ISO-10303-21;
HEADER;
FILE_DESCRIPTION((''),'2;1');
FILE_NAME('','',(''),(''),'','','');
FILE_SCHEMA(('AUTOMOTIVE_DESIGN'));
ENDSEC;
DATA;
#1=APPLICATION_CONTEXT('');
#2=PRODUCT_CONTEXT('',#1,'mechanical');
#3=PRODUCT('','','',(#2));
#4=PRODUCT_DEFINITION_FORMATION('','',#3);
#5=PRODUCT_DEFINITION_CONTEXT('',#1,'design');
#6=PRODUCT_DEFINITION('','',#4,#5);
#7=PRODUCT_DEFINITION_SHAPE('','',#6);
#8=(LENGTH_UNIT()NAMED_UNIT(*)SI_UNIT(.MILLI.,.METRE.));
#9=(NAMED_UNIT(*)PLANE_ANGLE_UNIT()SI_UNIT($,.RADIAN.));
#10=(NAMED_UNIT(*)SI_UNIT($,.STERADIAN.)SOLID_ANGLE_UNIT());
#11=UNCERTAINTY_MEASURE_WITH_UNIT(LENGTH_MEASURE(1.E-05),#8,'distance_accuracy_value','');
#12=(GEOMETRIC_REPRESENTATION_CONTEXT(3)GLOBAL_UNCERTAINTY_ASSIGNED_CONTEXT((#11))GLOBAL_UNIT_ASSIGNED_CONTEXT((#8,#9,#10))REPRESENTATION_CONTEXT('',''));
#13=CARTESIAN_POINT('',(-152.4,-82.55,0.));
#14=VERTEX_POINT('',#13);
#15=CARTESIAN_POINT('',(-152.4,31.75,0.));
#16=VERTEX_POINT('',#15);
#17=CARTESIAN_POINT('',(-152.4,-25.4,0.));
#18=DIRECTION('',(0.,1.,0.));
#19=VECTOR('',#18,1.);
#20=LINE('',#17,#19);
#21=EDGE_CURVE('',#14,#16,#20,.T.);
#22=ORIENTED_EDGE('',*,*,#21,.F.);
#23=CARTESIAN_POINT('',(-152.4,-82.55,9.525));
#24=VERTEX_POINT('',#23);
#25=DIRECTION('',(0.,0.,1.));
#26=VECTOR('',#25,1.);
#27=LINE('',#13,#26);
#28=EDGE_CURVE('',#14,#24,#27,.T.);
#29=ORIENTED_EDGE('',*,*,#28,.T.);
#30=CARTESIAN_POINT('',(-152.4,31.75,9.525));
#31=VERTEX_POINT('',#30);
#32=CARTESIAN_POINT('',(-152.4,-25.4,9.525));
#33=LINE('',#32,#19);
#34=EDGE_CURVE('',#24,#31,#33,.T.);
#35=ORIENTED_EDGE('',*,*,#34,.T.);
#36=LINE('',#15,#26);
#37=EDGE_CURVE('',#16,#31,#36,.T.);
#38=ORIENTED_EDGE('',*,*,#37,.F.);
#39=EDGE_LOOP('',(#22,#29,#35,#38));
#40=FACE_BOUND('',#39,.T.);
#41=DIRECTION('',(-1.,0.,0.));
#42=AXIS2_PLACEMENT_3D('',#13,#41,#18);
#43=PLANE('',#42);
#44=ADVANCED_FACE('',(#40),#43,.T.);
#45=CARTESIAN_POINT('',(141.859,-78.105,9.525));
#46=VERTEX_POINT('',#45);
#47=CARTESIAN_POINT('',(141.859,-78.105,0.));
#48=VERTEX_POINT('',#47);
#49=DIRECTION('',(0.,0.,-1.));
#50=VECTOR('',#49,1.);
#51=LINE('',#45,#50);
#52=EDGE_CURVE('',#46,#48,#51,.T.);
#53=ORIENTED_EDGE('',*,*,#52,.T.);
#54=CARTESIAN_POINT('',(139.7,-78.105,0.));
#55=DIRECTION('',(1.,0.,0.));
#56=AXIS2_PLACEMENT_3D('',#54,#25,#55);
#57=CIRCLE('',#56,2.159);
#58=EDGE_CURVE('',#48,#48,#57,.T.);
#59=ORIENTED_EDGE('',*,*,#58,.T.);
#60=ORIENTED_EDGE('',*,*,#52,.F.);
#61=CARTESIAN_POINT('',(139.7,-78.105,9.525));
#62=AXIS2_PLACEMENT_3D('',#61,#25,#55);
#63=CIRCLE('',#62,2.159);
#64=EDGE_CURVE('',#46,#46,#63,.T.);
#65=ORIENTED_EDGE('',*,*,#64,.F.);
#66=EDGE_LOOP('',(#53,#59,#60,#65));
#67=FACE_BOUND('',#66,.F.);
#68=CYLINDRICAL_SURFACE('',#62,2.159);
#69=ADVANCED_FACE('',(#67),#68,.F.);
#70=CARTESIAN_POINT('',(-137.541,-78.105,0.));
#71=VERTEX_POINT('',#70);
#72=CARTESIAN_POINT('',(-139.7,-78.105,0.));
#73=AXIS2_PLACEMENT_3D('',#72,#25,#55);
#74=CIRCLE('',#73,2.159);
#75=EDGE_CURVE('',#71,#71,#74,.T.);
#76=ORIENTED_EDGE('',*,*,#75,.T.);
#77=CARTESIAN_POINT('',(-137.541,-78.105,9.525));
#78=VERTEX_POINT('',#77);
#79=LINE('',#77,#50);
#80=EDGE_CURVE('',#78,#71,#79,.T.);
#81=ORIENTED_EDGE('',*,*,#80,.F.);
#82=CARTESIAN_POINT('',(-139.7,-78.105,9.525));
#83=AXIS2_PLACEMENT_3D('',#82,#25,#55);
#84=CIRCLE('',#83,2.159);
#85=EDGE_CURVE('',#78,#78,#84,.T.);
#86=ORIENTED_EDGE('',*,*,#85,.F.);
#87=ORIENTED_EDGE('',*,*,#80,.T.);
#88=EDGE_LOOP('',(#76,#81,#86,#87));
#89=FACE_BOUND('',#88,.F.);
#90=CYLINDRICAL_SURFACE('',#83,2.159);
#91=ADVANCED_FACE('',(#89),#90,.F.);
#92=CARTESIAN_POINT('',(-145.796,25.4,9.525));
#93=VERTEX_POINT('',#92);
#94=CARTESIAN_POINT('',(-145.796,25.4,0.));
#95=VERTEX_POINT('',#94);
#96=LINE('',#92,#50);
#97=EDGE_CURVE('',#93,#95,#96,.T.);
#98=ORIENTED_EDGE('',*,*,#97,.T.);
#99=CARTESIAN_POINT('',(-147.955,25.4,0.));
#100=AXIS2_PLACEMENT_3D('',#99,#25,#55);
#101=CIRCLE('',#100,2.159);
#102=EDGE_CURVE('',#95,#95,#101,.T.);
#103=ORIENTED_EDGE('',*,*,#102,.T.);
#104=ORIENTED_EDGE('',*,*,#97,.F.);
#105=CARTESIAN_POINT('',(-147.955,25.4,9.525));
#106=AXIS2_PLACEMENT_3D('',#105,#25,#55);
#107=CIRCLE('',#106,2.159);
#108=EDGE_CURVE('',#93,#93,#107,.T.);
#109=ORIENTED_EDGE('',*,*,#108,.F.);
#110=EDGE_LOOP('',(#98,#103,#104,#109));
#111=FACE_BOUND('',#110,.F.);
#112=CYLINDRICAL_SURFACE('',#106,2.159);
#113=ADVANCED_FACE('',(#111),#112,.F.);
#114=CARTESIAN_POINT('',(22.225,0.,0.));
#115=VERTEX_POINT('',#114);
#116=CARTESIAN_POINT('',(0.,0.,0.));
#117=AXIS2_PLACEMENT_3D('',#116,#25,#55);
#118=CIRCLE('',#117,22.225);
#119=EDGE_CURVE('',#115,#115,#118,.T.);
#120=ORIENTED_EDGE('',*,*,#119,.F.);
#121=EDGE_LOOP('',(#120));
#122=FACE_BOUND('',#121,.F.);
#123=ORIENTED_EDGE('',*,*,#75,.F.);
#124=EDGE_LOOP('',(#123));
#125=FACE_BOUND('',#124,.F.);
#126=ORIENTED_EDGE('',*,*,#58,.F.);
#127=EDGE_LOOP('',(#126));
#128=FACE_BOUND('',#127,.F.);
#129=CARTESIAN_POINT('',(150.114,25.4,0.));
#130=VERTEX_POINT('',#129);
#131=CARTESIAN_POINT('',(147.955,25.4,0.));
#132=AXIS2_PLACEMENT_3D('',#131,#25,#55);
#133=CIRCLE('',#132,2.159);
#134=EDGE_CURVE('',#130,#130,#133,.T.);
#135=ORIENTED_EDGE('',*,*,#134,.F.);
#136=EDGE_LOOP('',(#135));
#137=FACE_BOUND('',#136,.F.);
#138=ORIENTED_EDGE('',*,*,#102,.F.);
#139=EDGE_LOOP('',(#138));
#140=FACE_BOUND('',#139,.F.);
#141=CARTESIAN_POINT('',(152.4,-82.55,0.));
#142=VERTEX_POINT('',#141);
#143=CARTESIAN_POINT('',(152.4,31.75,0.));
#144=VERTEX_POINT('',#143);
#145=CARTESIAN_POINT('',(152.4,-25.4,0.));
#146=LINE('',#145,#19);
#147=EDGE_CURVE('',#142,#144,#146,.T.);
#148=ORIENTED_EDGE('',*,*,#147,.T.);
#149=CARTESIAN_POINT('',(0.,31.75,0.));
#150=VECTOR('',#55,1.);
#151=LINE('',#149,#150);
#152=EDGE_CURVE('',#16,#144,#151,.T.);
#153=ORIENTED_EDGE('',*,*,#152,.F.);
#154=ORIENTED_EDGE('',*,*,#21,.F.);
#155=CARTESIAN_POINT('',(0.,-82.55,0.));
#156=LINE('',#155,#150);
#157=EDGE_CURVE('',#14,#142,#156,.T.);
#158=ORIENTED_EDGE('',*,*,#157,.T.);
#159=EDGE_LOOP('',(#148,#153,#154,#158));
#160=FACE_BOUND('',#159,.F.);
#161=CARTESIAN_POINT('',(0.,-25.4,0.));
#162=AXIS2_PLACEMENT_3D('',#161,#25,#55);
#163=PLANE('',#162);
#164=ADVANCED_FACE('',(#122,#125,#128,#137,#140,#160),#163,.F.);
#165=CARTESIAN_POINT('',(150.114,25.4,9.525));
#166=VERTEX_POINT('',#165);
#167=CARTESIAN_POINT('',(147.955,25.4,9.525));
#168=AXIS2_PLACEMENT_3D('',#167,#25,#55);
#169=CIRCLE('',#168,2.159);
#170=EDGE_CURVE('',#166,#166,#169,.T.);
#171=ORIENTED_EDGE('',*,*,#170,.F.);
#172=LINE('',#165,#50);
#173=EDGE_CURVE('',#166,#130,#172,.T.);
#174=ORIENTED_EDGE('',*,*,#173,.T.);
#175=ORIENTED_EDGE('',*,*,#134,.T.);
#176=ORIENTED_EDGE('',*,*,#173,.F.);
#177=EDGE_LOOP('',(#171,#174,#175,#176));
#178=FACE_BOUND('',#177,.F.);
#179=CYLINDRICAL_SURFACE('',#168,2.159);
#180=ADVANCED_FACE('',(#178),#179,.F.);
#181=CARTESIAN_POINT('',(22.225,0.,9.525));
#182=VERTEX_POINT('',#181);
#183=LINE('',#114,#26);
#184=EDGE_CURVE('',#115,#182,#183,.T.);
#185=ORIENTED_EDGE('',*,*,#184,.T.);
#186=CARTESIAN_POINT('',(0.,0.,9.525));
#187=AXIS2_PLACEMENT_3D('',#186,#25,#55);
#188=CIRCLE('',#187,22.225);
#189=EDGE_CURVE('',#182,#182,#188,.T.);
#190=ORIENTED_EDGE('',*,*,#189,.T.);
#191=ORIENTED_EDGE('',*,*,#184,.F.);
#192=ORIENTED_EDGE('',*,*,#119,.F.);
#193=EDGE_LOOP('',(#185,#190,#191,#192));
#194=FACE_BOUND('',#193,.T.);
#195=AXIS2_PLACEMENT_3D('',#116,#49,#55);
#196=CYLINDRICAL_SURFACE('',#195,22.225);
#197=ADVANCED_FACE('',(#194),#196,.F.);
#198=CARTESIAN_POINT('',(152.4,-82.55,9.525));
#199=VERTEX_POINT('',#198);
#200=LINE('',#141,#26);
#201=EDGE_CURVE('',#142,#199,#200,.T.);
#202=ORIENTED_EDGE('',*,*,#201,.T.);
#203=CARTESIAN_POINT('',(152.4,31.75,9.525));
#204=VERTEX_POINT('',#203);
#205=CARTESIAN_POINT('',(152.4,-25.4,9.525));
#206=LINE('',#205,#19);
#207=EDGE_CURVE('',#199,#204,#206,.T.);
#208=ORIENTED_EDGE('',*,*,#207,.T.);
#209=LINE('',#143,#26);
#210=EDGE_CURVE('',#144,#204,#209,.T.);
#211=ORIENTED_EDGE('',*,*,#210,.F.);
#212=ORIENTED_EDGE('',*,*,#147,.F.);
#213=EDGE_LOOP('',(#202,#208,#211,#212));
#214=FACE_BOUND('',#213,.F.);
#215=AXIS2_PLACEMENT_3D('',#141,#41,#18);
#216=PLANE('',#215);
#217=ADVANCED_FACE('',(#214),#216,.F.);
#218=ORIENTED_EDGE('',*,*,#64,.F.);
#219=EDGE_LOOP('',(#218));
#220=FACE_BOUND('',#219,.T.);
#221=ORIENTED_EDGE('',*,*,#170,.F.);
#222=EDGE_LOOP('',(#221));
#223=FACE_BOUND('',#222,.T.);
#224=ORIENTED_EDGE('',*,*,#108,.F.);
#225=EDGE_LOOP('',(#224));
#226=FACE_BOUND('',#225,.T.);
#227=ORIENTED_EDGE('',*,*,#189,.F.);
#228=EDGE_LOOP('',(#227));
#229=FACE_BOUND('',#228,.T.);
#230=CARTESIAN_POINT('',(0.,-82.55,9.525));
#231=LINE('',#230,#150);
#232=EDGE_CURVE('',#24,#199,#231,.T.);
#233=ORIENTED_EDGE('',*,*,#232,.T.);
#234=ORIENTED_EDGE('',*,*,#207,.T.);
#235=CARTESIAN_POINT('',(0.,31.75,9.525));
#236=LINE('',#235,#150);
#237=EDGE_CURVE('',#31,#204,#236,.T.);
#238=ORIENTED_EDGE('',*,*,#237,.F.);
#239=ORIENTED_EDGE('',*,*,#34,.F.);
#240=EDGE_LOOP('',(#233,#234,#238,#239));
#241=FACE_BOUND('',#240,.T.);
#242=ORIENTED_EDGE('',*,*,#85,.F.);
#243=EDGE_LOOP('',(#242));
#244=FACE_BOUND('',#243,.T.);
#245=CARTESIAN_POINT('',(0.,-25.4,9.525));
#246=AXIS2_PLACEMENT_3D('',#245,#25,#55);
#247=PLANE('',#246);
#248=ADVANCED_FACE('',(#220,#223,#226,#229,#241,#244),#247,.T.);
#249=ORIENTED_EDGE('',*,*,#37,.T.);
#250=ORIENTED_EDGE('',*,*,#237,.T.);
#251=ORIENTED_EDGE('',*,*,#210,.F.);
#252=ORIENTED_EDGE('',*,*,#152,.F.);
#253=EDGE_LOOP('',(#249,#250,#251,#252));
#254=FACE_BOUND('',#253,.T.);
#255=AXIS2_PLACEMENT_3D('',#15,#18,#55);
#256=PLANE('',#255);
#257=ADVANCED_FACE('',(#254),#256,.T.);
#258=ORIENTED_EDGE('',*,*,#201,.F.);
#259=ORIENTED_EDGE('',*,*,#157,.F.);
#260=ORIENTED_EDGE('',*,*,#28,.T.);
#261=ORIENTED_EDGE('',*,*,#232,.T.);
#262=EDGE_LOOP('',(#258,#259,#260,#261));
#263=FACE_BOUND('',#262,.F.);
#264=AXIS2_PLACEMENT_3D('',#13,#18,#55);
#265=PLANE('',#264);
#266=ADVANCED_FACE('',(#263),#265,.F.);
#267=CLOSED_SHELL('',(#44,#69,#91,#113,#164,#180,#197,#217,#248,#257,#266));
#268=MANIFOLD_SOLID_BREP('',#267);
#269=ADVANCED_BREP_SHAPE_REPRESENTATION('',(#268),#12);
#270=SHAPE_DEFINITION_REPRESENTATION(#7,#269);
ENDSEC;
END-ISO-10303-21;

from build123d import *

# Parameters (mm, degrees)
SKETCH1_W           = 304.8
SKETCH1_H           = 114.3
SKETCH1_R           = 22.225
BOSS_EXTRUDE1_DEPTH = 9.525
SKETCH2_R           = 2.159
CUT_EXTRUDE1_DEPTH  = 10.525


with BuildPart() as part:
    # Sketch1 → Boss-Extrude1 (new body)
    with BuildSketch(Plane.XY):
        with Locations((0, -25.4)):
            Rectangle(SKETCH1_W, SKETCH1_H)
        Circle(SKETCH1_R, mode=Mode.SUBTRACT)
    extrude(amount=BOSS_EXTRUDE1_DEPTH)

    # Sketch2 → Cut-Extrude1 (cut, through all)
    with BuildSketch(Plane.XY.offset(9.525)):
        with Locations((-139.7, -78.105)):
            Circle(SKETCH2_R)
        with Locations((-147.955, 25.4)):
            Circle(SKETCH2_R)
        with Locations((147.955, 25.4)):
            Circle(SKETCH2_R)
        with Locations((139.7, -78.105)):
            Circle(SKETCH2_R)
    extrude(amount=-CUT_EXTRUDE1_DEPTH, mode=Mode.SUBTRACT)


solid = part.part
